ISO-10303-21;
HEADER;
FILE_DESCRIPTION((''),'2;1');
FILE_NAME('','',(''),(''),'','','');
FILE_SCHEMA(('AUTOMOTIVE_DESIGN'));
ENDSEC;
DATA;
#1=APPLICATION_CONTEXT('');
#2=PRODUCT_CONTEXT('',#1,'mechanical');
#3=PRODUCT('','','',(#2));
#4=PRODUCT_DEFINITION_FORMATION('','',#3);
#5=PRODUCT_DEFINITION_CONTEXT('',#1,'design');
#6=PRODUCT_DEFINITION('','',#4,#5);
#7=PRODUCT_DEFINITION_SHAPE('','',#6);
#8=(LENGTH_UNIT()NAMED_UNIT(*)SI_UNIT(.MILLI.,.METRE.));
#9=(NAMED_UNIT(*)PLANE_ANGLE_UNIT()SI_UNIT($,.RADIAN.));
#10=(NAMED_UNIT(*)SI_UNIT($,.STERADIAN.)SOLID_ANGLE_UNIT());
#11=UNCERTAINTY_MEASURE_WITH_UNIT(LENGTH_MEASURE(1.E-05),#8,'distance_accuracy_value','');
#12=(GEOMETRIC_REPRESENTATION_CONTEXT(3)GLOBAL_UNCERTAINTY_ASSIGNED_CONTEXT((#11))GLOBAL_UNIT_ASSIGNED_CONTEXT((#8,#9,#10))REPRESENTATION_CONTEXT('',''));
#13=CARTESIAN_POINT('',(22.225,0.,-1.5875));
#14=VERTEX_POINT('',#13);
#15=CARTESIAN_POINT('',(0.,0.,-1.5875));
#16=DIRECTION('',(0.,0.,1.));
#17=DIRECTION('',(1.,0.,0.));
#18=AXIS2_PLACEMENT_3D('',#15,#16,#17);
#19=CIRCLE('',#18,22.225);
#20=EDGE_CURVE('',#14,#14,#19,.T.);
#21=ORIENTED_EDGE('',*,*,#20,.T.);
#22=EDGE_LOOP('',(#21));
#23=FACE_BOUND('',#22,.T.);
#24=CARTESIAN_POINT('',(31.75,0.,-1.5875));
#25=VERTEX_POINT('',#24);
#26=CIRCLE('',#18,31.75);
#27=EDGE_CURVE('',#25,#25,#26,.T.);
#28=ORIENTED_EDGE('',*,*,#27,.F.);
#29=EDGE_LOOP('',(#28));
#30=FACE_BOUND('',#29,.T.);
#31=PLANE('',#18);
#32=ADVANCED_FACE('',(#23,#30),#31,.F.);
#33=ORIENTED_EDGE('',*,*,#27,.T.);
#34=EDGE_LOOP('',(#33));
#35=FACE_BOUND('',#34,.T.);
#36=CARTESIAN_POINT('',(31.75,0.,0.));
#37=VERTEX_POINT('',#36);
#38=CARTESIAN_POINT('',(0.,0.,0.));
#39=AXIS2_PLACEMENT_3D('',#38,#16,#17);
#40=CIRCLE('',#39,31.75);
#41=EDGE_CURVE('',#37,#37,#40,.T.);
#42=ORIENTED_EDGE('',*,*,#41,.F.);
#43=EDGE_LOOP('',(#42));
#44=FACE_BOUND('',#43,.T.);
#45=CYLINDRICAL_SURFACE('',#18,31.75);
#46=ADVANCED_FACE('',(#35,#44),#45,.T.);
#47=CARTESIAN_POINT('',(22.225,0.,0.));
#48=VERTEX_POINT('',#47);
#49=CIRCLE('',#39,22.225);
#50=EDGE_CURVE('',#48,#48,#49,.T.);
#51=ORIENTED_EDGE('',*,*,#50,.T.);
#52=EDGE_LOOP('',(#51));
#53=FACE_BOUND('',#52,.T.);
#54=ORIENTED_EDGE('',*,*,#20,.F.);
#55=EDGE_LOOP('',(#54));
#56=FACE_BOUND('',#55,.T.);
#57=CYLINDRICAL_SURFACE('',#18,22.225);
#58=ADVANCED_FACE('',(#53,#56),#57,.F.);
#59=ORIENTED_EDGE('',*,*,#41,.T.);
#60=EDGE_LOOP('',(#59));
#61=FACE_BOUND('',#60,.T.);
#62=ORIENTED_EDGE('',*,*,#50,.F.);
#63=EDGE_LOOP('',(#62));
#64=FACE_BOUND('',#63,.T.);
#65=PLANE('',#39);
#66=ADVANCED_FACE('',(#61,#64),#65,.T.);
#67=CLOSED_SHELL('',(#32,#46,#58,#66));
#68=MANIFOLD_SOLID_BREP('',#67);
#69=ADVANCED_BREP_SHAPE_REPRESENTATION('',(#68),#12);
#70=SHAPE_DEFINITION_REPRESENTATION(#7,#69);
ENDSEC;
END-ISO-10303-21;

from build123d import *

# Parameters (mm, degrees)
SKETCH3_R           = 31.75
SKETCH3_R_2         = 22.225
BOSS_EXTRUDE1_DEPTH = 1.5875


with BuildPart() as part:
    # Sketch3 → Boss-Extrude1 (new body)
    with BuildSketch(Plane.XY):
        Circle(SKETCH3_R)
        Circle(SKETCH3_R_2, mode=Mode.SUBTRACT)
    extrude(amount=-BOSS_EXTRUDE1_DEPTH)


solid = part.part
